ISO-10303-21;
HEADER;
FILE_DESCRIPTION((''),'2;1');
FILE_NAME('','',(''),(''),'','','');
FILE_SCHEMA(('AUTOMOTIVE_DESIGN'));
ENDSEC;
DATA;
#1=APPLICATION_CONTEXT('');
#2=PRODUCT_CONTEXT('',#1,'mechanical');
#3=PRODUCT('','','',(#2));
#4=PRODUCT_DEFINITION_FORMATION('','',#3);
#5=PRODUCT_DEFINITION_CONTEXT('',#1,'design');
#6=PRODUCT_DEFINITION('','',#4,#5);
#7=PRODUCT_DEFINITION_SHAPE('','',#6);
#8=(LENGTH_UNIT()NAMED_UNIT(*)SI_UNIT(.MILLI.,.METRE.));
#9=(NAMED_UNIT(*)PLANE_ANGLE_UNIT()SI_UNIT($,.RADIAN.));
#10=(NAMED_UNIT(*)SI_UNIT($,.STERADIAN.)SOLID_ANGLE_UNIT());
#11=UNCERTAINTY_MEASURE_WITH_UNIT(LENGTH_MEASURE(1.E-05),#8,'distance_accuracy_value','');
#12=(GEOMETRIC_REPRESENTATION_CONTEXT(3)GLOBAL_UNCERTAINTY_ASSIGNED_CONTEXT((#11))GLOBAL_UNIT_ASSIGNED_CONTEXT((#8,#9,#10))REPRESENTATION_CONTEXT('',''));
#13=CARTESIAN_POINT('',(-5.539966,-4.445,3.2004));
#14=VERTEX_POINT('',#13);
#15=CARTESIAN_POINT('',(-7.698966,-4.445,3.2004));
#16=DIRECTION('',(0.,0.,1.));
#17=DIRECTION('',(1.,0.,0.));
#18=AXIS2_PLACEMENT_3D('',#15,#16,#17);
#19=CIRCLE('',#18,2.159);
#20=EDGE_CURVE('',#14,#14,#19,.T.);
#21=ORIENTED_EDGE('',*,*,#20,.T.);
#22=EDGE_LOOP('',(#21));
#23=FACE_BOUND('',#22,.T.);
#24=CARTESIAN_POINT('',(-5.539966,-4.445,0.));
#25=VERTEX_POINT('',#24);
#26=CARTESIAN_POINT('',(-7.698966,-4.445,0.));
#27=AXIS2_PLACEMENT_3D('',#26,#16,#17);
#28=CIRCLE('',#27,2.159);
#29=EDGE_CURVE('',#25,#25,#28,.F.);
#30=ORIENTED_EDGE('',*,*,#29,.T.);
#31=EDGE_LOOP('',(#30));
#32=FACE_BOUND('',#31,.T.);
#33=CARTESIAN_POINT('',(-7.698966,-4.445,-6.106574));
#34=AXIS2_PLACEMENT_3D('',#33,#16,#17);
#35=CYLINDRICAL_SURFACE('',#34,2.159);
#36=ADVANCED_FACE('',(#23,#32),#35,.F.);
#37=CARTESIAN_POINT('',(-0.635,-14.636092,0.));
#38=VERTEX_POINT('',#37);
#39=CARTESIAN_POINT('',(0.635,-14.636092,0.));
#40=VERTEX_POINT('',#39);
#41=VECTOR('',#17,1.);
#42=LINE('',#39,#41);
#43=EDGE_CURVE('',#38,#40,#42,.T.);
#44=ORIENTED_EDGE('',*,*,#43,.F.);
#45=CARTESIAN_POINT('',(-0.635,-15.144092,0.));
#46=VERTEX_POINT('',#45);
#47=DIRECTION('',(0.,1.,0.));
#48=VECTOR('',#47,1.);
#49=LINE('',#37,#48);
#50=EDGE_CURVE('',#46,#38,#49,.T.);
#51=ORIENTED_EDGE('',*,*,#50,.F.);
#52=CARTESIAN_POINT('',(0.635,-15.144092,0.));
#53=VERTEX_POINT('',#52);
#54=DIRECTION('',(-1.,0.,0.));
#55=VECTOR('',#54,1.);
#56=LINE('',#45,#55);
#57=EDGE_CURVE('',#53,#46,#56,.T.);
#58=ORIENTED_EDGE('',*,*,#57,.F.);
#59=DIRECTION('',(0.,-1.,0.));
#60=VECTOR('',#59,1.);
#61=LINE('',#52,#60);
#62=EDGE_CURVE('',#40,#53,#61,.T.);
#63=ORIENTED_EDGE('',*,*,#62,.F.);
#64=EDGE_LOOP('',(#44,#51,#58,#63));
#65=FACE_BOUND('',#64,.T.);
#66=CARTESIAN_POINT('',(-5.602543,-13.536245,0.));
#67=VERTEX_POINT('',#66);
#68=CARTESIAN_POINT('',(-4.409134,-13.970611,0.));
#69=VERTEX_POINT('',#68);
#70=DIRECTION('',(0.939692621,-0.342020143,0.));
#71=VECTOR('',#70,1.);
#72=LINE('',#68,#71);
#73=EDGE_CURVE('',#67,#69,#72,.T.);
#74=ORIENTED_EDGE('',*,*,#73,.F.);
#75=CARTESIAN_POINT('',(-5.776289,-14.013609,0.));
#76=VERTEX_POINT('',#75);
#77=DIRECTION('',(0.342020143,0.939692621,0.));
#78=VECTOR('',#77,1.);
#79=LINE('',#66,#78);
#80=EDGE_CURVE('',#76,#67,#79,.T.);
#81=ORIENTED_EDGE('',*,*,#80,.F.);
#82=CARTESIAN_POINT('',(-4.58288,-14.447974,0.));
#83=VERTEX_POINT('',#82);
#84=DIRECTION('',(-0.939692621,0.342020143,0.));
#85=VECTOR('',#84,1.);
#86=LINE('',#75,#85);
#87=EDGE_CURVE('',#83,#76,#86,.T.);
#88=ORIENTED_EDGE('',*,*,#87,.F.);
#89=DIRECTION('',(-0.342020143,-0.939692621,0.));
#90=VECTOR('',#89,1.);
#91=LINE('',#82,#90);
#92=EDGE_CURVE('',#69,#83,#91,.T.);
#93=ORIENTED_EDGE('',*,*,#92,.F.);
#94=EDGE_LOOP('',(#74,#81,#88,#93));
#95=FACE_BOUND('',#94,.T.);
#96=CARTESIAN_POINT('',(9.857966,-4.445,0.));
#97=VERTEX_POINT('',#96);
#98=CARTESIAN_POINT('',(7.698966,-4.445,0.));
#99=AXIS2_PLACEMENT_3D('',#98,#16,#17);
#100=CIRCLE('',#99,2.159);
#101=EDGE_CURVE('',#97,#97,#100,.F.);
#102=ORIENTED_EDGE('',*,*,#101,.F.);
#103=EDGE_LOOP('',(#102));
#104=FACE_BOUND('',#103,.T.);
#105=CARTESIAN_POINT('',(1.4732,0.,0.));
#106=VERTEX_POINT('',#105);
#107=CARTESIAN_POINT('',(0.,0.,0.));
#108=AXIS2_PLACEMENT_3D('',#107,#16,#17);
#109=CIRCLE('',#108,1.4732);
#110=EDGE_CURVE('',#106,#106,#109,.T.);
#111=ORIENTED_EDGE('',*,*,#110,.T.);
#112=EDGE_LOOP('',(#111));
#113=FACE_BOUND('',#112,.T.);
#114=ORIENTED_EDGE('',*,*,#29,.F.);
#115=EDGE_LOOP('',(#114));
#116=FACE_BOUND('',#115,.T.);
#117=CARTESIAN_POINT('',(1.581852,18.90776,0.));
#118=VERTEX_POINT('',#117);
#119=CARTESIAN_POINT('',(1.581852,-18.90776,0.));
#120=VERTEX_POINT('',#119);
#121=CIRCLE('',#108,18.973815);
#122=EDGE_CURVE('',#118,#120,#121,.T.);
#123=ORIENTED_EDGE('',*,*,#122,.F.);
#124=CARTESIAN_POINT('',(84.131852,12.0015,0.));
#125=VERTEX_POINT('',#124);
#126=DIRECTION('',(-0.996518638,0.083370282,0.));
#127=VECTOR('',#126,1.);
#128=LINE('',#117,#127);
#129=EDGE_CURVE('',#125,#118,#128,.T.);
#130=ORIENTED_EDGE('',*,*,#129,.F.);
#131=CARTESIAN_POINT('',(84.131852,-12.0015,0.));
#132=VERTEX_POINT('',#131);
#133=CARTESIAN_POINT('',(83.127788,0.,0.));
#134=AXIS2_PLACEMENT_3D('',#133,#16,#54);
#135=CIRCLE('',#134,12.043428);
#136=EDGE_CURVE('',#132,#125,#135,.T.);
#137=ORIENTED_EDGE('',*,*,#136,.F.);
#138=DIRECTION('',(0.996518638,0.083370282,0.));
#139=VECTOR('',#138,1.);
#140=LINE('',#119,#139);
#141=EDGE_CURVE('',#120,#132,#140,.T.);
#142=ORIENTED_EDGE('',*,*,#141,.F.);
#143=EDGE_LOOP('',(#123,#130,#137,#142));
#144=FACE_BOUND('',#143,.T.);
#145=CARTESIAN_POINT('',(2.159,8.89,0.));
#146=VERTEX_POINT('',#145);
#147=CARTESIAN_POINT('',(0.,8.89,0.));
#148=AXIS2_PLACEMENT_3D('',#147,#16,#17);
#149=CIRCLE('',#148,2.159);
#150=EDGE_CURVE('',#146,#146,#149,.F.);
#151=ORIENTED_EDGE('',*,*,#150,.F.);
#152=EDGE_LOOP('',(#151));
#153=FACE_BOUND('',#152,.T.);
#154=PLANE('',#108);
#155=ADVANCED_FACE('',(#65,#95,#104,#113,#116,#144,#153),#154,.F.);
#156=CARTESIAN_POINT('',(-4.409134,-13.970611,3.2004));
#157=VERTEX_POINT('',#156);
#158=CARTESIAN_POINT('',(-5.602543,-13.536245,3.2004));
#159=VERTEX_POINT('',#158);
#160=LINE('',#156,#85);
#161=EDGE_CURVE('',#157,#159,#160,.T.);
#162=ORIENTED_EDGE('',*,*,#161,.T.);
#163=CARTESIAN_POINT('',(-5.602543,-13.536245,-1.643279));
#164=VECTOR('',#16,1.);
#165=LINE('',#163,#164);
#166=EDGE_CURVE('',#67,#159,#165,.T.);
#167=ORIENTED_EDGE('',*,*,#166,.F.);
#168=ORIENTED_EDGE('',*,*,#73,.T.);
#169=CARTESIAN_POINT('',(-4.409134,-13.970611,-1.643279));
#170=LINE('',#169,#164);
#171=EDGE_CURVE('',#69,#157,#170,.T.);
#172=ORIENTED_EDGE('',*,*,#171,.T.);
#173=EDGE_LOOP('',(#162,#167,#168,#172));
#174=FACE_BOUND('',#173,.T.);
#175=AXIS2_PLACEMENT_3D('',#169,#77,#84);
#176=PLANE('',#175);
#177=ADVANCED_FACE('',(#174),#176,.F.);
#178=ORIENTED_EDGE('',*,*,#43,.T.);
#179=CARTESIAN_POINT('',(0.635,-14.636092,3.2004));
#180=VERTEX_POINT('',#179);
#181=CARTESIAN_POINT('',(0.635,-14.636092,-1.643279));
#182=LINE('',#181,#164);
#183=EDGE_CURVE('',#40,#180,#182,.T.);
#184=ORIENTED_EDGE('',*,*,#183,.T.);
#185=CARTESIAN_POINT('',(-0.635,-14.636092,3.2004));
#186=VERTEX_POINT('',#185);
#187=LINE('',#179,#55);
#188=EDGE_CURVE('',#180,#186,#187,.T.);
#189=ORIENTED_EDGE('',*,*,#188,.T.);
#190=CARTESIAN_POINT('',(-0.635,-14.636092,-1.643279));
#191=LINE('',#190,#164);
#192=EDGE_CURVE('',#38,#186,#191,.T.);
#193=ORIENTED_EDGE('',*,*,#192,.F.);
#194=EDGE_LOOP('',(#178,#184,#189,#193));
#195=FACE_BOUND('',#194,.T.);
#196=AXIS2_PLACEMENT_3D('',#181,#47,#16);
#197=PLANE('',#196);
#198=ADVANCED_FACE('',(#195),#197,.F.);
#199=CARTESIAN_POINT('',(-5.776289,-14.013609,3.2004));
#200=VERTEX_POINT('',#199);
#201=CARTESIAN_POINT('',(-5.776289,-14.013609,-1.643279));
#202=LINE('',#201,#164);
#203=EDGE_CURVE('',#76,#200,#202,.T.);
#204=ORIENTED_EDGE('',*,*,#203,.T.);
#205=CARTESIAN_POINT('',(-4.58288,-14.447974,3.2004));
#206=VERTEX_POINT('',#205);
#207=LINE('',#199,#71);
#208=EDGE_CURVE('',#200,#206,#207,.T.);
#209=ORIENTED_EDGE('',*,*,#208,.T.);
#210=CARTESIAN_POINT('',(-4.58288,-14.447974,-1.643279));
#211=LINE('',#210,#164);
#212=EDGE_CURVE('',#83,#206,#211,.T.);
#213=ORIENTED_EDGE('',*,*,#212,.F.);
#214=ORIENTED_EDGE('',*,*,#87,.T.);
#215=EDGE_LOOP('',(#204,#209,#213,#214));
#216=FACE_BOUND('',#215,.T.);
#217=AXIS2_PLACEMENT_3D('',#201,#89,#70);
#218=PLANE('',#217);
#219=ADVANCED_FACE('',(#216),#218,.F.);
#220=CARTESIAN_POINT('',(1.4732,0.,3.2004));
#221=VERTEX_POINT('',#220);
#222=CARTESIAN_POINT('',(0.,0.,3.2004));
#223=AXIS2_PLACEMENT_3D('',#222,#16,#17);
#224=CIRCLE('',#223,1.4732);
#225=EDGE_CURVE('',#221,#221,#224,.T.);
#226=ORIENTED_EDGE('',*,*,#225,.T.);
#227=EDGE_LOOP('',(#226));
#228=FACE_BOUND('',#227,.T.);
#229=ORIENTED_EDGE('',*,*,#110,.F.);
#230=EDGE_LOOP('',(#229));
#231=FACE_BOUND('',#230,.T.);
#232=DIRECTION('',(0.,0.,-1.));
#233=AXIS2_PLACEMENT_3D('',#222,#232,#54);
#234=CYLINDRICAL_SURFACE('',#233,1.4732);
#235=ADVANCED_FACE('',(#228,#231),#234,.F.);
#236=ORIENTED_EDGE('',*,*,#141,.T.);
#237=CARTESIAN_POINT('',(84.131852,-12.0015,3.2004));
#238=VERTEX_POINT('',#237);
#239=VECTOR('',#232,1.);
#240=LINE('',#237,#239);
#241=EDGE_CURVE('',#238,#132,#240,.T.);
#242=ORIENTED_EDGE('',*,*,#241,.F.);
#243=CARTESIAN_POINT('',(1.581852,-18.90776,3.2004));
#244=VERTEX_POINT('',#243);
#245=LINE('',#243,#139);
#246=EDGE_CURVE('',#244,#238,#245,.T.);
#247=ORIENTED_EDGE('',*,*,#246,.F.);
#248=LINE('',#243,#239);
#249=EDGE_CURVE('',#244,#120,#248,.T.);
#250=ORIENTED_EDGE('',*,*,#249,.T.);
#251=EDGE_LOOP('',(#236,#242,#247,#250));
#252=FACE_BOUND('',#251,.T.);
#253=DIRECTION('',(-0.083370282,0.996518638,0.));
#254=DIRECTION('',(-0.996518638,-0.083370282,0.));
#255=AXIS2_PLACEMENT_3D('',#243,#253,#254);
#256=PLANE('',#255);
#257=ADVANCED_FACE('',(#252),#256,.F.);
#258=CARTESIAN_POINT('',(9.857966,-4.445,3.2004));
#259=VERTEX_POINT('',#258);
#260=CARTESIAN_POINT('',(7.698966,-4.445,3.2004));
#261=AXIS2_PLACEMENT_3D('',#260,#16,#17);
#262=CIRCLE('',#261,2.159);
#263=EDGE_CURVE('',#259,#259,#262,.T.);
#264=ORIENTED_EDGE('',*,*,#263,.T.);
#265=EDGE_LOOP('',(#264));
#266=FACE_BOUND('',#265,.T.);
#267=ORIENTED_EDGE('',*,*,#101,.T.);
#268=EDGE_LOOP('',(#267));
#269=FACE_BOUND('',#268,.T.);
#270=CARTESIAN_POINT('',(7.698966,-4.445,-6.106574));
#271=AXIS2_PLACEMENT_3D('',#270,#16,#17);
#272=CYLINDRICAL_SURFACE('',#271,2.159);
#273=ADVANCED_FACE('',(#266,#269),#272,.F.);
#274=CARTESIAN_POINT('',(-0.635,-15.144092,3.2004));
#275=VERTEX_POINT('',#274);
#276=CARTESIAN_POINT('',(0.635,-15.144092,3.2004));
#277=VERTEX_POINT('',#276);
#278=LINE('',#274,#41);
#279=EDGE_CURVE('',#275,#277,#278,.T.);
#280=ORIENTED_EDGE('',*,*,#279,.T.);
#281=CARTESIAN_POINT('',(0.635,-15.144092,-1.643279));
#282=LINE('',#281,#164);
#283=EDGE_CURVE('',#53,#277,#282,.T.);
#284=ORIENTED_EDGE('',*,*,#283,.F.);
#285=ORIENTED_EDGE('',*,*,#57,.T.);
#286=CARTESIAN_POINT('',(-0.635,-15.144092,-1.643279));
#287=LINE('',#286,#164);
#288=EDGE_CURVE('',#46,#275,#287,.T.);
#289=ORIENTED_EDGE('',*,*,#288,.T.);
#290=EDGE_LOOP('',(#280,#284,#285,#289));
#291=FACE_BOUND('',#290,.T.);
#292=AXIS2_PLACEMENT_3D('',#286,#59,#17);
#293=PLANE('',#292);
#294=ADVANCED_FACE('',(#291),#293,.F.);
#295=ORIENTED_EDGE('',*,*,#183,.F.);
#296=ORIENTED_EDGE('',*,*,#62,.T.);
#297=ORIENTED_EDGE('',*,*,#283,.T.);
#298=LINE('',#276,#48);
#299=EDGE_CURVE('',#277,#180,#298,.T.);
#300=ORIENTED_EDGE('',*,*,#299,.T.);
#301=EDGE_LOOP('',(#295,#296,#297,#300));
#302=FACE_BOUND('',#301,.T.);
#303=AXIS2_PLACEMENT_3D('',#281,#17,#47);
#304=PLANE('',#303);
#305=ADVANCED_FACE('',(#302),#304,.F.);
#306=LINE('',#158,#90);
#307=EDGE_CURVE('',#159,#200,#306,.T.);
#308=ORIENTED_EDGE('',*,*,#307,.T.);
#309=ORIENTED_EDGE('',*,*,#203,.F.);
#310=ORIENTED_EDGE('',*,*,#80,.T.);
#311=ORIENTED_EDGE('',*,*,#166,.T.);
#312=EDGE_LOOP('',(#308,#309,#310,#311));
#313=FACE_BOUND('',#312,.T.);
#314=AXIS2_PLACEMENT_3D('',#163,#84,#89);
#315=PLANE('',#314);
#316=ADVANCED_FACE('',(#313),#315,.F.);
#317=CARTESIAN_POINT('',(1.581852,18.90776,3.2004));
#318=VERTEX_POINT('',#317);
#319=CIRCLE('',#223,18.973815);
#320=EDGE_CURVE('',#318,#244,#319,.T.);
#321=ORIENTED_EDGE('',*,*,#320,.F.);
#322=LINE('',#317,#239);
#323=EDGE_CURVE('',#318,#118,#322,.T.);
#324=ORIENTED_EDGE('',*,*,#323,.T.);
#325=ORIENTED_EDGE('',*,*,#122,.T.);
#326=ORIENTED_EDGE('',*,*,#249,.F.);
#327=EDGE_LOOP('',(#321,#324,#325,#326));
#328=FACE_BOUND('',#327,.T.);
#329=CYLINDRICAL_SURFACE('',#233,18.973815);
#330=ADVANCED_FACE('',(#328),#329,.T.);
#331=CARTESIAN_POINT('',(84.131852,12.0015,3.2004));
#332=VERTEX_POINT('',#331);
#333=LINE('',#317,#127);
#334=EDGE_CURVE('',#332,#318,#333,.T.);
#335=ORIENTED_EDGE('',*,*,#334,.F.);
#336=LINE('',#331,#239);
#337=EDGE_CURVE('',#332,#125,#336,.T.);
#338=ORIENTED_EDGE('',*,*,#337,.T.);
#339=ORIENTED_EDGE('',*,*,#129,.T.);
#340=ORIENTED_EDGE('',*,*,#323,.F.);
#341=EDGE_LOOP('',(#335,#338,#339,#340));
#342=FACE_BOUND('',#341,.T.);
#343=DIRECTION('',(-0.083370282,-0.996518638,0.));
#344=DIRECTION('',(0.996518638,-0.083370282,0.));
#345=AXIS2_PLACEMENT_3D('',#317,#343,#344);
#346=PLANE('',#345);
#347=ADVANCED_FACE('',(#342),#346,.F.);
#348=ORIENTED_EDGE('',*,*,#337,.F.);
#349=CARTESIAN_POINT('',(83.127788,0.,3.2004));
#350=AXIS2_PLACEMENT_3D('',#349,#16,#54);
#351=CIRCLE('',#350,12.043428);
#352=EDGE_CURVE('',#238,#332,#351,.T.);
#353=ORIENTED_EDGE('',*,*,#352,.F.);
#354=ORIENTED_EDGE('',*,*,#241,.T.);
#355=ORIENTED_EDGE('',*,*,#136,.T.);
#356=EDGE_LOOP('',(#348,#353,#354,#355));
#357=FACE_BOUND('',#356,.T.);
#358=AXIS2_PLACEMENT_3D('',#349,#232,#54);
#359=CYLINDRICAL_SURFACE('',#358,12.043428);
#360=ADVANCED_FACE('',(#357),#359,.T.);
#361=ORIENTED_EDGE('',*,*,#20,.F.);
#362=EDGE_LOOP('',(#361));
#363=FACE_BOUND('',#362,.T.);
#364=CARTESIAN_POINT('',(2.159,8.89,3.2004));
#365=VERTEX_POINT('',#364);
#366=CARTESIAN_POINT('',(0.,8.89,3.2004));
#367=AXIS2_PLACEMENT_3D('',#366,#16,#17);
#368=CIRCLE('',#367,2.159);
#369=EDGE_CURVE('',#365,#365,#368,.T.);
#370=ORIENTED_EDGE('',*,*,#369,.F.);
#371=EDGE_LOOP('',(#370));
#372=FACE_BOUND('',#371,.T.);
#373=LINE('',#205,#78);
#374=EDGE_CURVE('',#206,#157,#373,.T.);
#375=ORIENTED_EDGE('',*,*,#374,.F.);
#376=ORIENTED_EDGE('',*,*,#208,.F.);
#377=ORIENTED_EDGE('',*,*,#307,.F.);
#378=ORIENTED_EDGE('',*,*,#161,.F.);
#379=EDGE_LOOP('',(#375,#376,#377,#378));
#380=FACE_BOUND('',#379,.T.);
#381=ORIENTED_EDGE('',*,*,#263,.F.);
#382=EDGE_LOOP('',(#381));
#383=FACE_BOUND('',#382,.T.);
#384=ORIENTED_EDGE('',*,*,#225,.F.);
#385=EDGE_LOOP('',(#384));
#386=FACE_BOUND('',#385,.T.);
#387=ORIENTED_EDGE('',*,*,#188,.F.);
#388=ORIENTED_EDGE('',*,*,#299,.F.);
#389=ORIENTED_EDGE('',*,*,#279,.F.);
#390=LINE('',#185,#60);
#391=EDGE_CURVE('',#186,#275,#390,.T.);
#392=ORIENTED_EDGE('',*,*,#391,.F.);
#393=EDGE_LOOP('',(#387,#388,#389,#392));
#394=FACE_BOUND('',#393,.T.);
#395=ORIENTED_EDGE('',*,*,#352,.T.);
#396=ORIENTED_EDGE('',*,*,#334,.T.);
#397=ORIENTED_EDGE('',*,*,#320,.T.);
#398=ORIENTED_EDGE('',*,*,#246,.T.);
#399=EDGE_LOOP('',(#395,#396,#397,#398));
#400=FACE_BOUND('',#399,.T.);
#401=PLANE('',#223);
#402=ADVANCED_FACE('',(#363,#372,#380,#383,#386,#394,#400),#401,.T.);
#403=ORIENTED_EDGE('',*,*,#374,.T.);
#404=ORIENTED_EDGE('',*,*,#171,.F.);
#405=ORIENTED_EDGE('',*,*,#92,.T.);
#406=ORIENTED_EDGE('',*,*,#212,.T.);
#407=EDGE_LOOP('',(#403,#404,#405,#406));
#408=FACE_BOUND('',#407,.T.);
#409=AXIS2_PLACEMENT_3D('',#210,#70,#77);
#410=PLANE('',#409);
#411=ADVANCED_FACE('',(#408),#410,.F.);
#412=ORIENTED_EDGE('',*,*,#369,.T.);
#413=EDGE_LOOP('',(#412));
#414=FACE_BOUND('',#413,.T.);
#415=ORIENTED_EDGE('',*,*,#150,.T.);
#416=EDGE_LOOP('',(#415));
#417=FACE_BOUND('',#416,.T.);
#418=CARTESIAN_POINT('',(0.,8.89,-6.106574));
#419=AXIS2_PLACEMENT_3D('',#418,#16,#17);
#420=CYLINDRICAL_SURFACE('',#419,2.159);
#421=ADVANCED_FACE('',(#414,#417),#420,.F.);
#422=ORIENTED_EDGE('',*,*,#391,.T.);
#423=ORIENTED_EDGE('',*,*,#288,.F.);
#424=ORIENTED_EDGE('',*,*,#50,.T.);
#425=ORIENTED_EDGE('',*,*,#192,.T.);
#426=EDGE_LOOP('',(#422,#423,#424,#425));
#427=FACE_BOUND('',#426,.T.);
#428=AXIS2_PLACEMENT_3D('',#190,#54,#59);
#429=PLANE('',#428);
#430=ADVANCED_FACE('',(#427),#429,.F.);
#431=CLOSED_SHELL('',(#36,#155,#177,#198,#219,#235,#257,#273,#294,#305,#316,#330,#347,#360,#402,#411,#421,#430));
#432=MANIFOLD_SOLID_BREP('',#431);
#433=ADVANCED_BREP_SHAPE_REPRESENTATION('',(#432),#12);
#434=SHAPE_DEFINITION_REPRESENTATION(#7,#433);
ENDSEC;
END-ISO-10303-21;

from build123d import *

# Parameters (mm, degrees)
SKETCH1_R           = 1.4732
BOSS_EXTRUDE1_DEPTH = 3.2004
SKETCH2_W           = 1.27
SKETCH2_H           = 0.508
CUT_EXTRUDE1_DEPTH  = 3.2004
SKETCH3_R           = 2.159
CUT_EXTRUDE2_DEPTH  = 3.2004


with BuildPart() as part:
    # Sketch1 → Boss-Extrude1 (new body)
    with BuildSketch(Plane.XY):
        with BuildLine():
            Line((1.58185229, 18.90776), (84.13185229, 12.0015))
            ThreePointArc((84.13185229, 12.0015), (95.171215867, 0), (84.13185229, -12.0015))
            Line((84.13185229, -12.0015), (1.58185229, -18.90776))
            ThreePointArc((1.58185229, -18.90776), (-18.973814716, 0), (1.58185229, 18.90776))
        make_face()
        Circle(SKETCH1_R, mode=Mode.SUBTRACT)
    extrude(amount=BOSS_EXTRUDE1_DEPTH)

    # Sketch2 → Cut-Extrude1 (cut)
    with BuildSketch(Plane.XY.offset(3.2004)):
        Polygon((-4.582879775, -14.447974492), (-4.409133542, -13.970610641), (-5.602543171, -13.536245059), (-5.776289403, -14.01360891), align=None)
        with Locations((0, -14.890092213)):
            Rectangle(SKETCH2_W, SKETCH2_H)
    extrude(amount=-CUT_EXTRUDE1_DEPTH, mode=Mode.SUBTRACT)

    # Sketch3 → Cut-Extrude2 (cut)
    with BuildSketch(Plane.XY.offset(3.2004)):
        with Locations((0, 8.89)):
            Circle(SKETCH3_R)
        with Locations((7.69896584, -4.445)):
            Circle(SKETCH3_R)
        with Locations((-7.69896584, -4.445)):
            Circle(SKETCH3_R)
    extrude(amount=-CUT_EXTRUDE2_DEPTH, mode=Mode.SUBTRACT)


solid = part.part
